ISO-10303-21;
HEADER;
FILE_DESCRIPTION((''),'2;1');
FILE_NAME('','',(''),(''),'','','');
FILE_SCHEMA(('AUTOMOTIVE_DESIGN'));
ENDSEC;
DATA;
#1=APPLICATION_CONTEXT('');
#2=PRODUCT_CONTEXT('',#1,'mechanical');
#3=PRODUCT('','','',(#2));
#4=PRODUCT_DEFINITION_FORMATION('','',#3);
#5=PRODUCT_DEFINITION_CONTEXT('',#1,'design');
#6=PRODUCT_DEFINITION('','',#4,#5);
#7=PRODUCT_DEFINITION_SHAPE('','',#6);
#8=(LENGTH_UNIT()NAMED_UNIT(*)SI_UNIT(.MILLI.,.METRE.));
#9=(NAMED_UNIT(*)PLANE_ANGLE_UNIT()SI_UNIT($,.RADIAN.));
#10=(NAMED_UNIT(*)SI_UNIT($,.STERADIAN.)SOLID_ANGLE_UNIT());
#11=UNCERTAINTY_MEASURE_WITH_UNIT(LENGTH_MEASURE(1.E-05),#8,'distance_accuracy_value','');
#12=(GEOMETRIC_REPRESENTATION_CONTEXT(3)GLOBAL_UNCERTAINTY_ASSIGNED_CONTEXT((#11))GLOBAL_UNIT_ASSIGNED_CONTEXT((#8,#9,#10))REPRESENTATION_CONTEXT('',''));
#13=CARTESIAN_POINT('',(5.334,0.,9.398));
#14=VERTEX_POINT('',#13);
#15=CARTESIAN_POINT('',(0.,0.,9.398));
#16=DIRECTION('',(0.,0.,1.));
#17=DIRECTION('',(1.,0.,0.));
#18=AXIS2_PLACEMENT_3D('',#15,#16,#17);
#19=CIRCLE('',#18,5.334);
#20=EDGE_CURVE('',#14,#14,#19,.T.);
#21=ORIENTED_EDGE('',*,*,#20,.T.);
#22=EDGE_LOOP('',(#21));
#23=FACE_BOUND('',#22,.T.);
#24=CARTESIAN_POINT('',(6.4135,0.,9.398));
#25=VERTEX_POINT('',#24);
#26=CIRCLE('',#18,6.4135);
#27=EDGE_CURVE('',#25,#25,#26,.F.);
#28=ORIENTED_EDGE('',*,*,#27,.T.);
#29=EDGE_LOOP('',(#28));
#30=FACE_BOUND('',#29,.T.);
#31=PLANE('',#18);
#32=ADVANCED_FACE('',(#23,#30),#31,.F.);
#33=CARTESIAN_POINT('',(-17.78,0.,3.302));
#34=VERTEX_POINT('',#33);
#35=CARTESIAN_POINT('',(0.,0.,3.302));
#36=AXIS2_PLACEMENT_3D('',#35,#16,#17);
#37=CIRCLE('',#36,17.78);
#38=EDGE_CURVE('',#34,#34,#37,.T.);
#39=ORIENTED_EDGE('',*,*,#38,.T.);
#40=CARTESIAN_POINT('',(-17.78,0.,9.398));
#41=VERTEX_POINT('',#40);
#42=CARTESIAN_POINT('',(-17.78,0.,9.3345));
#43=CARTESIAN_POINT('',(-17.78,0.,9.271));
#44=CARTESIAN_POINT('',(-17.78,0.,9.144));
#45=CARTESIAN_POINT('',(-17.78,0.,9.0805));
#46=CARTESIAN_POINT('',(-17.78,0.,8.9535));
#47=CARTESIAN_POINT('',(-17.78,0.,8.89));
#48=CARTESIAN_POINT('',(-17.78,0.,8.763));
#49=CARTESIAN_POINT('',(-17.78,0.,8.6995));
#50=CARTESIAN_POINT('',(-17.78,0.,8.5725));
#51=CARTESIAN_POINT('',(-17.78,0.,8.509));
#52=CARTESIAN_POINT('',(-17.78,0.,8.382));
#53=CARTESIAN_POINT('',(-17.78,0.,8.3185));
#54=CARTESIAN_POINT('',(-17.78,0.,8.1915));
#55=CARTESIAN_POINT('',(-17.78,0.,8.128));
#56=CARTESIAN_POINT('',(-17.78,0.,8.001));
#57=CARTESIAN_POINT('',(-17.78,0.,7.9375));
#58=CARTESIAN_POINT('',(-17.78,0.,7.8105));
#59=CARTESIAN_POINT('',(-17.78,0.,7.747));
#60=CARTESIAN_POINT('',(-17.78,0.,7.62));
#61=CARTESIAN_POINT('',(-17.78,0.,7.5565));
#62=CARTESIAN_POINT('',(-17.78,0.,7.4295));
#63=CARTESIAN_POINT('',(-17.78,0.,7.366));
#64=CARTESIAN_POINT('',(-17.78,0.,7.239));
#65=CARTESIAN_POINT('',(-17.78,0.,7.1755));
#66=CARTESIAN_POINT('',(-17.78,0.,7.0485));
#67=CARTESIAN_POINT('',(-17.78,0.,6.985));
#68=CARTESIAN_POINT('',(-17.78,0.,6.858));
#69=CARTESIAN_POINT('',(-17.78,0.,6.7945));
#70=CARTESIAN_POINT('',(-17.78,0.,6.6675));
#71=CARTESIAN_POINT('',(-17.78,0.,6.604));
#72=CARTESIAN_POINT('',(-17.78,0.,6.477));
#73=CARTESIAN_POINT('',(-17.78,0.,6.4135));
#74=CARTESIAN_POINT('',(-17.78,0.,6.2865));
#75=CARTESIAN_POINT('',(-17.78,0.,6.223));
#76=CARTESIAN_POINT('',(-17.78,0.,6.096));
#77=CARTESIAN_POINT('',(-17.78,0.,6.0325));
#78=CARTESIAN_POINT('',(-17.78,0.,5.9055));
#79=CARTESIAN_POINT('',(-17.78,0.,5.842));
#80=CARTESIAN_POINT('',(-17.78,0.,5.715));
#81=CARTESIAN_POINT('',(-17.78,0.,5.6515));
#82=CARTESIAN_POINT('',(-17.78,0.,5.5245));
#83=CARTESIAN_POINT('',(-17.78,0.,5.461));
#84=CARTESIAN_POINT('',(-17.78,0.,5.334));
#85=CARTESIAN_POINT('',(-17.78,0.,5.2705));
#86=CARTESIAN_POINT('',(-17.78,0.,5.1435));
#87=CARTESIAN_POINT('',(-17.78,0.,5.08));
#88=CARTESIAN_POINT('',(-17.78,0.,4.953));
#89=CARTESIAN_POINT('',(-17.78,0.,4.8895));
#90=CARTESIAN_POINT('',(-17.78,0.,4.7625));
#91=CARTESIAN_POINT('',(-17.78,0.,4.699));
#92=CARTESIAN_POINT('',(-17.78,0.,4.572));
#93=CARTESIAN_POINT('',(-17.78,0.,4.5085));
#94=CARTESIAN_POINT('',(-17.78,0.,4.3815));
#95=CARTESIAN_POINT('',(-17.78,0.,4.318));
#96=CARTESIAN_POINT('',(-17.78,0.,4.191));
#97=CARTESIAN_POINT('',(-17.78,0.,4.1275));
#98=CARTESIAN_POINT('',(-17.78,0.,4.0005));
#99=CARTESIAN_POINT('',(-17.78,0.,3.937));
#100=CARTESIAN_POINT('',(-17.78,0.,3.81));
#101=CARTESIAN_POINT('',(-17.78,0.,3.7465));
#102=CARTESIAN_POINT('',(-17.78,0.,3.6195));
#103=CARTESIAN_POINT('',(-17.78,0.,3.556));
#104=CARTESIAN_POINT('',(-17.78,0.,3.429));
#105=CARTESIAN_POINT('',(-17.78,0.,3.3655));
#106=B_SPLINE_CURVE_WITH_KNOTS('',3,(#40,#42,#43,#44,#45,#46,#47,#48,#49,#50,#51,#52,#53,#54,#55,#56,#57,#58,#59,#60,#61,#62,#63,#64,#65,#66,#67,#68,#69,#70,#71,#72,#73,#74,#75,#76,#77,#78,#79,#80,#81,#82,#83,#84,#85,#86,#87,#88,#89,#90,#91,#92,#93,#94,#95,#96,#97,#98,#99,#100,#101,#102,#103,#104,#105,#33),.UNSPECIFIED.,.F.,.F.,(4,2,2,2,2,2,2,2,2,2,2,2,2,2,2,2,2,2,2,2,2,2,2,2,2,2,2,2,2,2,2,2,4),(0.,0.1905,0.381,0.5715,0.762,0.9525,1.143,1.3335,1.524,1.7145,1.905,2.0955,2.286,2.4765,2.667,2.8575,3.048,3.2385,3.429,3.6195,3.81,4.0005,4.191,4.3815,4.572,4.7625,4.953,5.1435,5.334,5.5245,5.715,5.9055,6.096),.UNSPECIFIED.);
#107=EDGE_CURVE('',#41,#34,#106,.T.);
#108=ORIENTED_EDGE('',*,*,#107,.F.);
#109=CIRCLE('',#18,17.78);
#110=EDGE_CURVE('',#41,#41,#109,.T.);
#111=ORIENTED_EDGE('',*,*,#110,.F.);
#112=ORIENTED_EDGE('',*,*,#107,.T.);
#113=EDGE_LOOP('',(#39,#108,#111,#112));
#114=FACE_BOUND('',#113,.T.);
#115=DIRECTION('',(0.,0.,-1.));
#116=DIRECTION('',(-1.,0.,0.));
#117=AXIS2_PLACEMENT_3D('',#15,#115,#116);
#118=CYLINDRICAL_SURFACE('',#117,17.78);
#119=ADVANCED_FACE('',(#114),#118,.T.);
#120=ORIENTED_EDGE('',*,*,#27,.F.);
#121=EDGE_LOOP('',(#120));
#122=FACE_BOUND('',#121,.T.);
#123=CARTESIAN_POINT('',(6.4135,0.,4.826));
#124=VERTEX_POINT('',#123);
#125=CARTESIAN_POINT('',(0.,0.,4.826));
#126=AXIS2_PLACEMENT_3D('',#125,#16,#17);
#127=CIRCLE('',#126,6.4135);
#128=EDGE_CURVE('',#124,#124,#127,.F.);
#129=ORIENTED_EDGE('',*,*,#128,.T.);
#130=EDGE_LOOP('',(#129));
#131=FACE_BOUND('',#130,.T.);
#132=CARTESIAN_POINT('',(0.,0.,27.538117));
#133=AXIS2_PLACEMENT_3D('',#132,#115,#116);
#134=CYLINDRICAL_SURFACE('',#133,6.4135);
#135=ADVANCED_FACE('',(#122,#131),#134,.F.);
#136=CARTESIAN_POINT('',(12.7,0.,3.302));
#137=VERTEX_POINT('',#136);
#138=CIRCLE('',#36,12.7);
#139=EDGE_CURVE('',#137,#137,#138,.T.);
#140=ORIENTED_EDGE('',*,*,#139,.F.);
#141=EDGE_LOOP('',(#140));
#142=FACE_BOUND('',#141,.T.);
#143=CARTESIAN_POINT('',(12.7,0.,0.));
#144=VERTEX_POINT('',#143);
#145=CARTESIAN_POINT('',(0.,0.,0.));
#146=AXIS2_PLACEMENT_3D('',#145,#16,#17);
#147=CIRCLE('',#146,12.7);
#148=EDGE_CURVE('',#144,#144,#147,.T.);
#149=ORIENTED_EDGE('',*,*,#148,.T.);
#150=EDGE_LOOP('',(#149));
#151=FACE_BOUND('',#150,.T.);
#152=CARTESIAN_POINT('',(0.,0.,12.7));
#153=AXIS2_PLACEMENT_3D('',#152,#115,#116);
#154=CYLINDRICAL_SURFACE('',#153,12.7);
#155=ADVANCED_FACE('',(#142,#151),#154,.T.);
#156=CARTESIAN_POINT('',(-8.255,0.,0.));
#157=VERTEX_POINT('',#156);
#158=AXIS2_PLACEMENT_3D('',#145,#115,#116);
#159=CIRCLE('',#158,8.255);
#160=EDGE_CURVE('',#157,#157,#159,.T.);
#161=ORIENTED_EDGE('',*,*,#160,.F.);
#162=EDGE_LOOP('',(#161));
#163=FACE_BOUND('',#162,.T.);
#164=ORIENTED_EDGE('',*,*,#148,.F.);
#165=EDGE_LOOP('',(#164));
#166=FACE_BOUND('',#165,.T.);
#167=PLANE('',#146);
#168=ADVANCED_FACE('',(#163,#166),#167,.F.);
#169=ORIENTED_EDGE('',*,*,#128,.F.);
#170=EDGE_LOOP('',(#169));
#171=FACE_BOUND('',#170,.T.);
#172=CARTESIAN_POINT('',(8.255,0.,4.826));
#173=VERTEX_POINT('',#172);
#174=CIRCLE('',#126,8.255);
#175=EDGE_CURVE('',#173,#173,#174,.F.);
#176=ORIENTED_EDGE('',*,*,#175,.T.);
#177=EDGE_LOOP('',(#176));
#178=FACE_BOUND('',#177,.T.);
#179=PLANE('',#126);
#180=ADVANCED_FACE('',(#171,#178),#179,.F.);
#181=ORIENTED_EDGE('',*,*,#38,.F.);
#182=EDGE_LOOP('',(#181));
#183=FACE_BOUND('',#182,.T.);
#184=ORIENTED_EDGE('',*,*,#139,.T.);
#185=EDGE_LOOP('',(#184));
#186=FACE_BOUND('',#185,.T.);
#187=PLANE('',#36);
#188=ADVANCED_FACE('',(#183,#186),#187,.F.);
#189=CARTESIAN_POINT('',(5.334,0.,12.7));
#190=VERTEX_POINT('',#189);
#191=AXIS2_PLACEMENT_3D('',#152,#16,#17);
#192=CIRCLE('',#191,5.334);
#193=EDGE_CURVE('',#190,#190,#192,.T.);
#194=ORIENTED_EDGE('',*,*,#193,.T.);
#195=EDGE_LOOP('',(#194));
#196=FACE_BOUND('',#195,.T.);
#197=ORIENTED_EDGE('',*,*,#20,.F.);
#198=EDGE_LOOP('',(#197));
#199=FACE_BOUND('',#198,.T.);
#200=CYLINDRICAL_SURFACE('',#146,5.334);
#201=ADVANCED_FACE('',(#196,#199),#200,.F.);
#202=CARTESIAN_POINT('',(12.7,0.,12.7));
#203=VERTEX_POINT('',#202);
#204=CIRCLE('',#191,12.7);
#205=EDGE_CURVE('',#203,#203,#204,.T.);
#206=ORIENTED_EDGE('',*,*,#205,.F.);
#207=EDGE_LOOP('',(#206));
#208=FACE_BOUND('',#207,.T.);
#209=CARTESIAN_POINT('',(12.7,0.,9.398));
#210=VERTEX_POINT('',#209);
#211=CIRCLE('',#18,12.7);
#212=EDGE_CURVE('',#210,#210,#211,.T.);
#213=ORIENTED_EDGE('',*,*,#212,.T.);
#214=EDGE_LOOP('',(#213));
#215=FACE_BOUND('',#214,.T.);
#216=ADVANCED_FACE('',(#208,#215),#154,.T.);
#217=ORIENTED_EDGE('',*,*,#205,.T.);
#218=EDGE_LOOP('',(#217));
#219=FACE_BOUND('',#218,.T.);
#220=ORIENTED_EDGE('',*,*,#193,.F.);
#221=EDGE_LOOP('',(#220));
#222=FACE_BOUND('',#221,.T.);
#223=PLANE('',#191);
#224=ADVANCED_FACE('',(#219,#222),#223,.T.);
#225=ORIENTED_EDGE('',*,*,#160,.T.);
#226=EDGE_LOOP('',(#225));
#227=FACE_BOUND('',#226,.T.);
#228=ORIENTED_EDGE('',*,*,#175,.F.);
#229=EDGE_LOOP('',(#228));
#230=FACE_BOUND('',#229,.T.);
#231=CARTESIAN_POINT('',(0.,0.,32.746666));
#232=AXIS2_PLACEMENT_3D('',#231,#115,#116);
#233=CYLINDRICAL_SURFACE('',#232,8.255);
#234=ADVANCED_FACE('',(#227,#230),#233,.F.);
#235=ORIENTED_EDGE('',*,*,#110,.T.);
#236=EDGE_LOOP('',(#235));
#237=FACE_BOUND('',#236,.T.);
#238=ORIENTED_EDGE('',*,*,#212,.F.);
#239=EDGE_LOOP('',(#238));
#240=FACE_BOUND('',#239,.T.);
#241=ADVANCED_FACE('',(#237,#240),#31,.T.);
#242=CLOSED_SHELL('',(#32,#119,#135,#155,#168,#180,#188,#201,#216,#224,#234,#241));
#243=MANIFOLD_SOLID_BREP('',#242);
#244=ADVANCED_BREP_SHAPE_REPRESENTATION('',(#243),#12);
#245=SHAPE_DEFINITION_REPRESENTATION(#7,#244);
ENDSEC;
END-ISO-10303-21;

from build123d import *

# Parameters (mm, degrees)
SKETCH1_R           = 12.7
BOSS_EXTRUDE1_DEPTH = 12.7
SKETCH2_R           = 17.78
BOSS_EXTRUDE2_DEPTH = 3.048
SKETCH5_R           = 6.4135
CUT_EXTRUDE1_DEPTH  = 9.398
SKETCH6_R           = 5.334
CUT_EXTRUDE2_DEPTH  = 29.169962726
SKETCH7_R           = 8.255
CUT_EXTRUDE3_DEPTH  = 4.826


with BuildPart() as part:
    # Sketch1 → Boss-Extrude1 (new body)
    with BuildSketch(Plane.XY):
        Circle(SKETCH1_R)
    extrude(amount=BOSS_EXTRUDE1_DEPTH)

    # Sketch2 → Boss-Extrude2 (add, symmetric)
    with BuildSketch(Plane.XY.offset(6.35)):
        with Locations(Location((0, 0, 0), (0, 0, 180))):
            Circle(SKETCH2_R)
    extrude(amount=BOSS_EXTRUDE2_DEPTH, both=True)

    # Sketch5 → Cut-Extrude1 (cut)
    with BuildSketch(Plane(origin=(0, 0, 0), x_dir=(-1, 0, 0), z_dir=(0, 0, -1))):
        Circle(SKETCH5_R)
    extrude(amount=-CUT_EXTRUDE1_DEPTH, mode=Mode.SUBTRACT)

    # Sketch6 → Cut-Extrude2 (cut, through all)
    with BuildSketch(Plane.XY.offset(12.7)):
        Circle(SKETCH6_R)
    extrude(amount=-CUT_EXTRUDE2_DEPTH, mode=Mode.SUBTRACT)

    # Sketch7 → Cut-Extrude3 (cut)
    with BuildSketch(Plane(origin=(0, 0, 0), x_dir=(-1, 0, 0), z_dir=(0, 0, -1))):
        Circle(SKETCH7_R)
    extrude(amount=-CUT_EXTRUDE3_DEPTH, mode=Mode.SUBTRACT)


solid = part.part
